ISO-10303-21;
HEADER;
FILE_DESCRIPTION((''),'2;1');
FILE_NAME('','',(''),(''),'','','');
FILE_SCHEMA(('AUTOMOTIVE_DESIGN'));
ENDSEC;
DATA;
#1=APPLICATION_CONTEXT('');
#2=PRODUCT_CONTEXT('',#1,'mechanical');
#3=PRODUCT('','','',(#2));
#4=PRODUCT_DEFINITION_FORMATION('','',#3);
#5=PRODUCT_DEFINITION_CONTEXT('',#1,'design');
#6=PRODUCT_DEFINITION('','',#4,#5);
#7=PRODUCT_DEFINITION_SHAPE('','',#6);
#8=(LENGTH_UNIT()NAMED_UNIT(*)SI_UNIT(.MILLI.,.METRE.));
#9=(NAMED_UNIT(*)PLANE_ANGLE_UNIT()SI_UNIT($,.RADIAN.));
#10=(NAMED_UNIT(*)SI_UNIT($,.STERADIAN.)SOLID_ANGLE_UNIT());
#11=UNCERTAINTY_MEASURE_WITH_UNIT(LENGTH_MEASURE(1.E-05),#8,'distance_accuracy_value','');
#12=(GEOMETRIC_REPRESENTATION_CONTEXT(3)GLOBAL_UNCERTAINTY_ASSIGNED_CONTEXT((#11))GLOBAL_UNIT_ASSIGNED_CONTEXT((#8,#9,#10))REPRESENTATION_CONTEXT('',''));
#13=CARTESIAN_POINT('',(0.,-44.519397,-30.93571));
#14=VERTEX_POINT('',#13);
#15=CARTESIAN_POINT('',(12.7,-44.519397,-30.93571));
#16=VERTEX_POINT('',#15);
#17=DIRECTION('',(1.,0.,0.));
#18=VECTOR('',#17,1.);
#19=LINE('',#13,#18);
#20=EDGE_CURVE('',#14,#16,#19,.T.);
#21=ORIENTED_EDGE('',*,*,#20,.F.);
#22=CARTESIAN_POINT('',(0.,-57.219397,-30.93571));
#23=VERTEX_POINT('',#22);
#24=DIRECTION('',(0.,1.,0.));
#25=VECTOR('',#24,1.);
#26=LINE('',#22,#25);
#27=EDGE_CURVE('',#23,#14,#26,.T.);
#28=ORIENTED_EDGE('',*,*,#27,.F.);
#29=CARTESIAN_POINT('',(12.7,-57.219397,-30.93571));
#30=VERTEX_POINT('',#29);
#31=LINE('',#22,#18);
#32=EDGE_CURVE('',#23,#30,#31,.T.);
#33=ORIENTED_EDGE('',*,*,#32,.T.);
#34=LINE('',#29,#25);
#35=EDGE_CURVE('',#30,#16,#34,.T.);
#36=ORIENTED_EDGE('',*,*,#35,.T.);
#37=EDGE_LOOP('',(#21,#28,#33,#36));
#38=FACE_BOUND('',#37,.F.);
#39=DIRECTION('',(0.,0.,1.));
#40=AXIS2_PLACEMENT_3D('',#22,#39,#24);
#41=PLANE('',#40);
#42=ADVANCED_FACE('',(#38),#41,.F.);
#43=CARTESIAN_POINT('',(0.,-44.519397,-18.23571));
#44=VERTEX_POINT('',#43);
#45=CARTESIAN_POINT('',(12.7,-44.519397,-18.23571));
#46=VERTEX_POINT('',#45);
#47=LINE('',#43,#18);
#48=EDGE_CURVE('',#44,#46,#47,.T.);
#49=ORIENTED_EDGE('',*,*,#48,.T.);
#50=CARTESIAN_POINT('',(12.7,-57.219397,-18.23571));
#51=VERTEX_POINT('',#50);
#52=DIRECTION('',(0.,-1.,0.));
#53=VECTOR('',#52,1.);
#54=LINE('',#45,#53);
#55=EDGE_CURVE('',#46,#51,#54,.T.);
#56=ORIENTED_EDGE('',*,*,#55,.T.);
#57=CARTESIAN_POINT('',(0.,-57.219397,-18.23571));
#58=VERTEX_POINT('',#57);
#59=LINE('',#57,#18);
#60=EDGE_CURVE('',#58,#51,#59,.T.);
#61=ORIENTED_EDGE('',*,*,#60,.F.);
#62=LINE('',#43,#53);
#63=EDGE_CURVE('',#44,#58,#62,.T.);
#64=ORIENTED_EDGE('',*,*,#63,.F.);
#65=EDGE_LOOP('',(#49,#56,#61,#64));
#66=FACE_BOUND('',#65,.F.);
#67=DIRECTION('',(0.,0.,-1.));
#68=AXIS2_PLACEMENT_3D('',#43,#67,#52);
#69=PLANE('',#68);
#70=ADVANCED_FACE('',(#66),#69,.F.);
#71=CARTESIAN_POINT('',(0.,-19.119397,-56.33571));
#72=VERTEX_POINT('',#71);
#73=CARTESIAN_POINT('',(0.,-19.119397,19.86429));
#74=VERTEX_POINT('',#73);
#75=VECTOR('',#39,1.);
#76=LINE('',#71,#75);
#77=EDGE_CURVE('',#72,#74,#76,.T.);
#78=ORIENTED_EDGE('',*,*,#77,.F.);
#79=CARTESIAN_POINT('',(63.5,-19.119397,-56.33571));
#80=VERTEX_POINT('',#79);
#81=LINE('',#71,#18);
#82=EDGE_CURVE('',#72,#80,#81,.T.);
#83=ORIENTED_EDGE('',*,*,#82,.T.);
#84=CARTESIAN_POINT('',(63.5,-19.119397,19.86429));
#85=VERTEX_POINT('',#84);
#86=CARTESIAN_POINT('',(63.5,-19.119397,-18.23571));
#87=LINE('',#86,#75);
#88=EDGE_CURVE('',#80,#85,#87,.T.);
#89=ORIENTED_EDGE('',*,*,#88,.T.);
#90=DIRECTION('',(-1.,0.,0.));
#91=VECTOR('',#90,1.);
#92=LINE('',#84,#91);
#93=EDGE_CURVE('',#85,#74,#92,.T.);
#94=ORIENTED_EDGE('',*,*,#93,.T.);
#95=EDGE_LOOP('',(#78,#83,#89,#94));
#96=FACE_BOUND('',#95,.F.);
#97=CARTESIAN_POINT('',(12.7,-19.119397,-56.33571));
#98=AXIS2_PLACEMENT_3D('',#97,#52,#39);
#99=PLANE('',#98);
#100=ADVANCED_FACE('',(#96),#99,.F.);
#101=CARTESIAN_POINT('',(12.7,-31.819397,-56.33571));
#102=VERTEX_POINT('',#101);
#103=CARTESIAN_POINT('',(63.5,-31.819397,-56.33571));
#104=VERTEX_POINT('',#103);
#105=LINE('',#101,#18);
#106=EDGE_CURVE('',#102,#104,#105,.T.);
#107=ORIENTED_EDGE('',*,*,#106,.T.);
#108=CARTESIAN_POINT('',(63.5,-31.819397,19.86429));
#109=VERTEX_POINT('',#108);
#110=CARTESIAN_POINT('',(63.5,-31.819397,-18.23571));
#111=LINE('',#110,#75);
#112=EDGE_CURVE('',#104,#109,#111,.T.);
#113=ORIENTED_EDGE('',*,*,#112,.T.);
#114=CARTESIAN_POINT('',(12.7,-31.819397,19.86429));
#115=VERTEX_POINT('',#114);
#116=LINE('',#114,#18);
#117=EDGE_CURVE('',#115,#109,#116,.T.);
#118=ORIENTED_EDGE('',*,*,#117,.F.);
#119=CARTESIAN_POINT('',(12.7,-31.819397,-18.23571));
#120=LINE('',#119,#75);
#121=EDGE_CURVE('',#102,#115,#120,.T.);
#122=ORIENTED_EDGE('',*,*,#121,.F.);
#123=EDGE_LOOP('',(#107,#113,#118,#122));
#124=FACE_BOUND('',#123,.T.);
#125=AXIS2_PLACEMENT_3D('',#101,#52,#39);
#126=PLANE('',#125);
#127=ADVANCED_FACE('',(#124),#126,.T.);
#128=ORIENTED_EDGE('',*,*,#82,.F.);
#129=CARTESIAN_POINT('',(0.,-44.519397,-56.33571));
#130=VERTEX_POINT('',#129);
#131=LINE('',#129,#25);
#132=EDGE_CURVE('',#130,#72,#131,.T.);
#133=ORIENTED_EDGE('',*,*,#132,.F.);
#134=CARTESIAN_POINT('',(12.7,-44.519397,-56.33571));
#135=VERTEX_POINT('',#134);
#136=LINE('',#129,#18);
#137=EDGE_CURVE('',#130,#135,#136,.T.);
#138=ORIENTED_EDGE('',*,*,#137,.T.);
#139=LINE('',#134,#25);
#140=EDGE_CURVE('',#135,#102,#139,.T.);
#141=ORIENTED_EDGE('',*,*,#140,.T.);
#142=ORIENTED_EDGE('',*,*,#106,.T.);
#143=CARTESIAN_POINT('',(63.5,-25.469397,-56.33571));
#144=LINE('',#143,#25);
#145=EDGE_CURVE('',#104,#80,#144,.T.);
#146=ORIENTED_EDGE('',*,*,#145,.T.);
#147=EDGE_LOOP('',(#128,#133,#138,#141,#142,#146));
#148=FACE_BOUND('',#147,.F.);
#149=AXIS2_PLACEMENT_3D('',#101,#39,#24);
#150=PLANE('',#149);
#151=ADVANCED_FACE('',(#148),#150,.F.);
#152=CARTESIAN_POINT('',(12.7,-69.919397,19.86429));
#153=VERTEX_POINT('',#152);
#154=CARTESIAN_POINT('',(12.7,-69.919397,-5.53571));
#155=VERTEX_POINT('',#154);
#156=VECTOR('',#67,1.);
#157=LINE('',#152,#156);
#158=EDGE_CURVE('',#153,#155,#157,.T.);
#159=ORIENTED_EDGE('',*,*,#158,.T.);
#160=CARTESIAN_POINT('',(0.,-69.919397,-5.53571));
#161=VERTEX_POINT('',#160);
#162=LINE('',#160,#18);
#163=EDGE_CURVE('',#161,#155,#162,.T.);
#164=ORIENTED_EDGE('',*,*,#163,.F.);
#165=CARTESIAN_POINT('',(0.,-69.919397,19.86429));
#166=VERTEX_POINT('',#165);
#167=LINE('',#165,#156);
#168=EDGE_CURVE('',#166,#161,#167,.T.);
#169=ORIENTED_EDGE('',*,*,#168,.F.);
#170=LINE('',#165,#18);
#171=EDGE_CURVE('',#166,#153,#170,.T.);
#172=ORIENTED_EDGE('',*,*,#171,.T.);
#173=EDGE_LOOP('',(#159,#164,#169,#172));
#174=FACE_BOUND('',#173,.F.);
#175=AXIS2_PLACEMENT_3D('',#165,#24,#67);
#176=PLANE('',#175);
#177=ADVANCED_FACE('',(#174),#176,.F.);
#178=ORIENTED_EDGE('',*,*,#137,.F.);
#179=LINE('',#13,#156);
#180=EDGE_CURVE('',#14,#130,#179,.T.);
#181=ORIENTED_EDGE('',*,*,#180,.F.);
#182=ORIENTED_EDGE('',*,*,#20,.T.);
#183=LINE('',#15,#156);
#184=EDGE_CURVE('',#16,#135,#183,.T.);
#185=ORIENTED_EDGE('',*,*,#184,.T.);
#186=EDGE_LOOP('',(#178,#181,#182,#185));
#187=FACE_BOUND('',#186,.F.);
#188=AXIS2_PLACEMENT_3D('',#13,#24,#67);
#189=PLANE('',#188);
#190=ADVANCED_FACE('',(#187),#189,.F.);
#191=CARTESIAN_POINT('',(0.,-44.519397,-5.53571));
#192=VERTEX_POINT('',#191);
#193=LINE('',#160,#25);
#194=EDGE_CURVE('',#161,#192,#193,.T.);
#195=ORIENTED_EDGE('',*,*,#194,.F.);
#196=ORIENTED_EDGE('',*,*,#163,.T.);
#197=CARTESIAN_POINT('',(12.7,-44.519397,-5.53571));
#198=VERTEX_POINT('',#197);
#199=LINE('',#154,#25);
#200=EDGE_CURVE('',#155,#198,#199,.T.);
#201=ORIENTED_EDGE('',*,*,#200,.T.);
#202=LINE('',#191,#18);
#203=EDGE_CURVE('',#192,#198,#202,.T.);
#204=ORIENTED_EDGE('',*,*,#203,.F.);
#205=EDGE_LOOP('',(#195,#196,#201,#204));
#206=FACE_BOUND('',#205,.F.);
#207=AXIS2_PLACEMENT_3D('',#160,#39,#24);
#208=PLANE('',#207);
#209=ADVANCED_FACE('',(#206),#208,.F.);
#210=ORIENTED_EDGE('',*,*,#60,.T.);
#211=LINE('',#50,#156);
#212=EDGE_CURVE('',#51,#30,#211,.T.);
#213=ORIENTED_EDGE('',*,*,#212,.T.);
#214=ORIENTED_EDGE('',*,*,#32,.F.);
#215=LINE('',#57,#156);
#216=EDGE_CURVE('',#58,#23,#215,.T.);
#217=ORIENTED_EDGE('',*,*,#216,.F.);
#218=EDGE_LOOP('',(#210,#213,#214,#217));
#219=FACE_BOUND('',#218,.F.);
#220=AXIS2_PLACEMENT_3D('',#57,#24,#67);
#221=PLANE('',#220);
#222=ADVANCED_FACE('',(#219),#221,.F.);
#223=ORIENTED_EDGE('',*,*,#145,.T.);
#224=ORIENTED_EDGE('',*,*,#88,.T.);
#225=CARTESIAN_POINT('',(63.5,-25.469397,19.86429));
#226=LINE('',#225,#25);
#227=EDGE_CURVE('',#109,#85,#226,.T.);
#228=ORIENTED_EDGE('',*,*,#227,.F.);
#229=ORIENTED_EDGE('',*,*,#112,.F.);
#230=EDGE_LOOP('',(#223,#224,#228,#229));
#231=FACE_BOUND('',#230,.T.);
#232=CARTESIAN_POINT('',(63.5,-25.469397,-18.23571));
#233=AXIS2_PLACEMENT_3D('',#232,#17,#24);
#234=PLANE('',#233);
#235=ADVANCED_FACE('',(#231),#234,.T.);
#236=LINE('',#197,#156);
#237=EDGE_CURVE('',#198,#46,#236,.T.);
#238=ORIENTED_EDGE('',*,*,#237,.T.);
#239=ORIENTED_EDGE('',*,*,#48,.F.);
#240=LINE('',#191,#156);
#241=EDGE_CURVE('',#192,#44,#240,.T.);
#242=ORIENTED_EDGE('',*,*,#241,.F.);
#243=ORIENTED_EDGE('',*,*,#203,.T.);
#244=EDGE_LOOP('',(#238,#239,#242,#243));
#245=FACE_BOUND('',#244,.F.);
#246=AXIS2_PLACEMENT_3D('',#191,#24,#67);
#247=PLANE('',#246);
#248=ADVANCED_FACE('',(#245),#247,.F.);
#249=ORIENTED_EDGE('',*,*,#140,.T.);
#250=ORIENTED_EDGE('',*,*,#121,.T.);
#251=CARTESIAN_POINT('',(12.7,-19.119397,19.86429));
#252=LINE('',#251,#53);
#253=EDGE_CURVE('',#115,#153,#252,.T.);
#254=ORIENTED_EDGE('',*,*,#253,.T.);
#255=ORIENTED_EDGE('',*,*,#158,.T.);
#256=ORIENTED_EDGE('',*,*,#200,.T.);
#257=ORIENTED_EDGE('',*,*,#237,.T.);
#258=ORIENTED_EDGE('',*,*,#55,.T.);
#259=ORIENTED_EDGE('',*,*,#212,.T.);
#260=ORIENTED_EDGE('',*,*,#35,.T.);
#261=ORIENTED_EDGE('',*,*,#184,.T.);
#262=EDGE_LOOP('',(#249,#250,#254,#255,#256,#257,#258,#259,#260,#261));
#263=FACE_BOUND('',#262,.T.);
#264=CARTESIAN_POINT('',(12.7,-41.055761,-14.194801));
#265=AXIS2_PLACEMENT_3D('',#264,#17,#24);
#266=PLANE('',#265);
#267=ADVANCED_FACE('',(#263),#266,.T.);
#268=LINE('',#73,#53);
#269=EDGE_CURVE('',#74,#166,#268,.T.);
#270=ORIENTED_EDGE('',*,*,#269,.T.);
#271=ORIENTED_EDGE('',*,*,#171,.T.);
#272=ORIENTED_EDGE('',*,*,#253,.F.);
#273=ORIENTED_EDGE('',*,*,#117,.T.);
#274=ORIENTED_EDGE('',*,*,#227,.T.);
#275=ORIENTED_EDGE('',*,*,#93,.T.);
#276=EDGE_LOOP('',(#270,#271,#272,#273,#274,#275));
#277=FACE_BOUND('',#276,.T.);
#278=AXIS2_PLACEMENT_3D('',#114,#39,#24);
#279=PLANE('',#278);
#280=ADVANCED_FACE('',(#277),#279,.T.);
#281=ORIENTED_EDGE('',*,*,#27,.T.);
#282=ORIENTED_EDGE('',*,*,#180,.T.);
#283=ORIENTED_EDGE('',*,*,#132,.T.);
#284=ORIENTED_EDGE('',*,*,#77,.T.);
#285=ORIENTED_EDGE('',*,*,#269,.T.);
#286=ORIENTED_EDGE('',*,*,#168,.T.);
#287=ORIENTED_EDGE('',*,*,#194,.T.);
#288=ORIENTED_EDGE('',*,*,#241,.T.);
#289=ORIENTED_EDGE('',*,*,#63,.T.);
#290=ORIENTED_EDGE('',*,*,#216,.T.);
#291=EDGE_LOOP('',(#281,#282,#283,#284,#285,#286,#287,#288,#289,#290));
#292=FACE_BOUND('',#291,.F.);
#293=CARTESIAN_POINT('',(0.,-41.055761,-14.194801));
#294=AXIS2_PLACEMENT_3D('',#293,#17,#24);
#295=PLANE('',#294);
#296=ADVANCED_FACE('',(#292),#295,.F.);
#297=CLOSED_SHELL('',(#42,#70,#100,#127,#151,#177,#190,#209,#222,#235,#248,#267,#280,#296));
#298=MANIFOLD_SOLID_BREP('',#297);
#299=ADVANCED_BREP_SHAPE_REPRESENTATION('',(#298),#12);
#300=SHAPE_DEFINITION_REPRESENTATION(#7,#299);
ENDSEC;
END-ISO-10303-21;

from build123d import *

# Parameters (mm, degrees)
F1_DEPTH = 12.7
F2_W     = 12.7
F2_H     = 76.2
F3_DEPTH = 50.8


with BuildPart() as f1:
    # F0 (on Right) → F1 (new body)
    with BuildSketch(Plane.YZ):
        Polygon((-44.519397, -30.93571), (-44.519397, -56.33571), (-31.819397, -56.33571), (-19.119397, -56.33571), (-19.119397, 19.86429), (-69.919397, 19.86429), (-69.919397, -5.53571), (-44.519397, -5.53571), (-44.519397, -18.23571), (-57.219397, -18.23571), (-57.219397, -30.93571), align=None)
    extrude(amount=F1_DEPTH)

    # F2 (on face) → F3 (join)
    with BuildSketch(Plane.YZ.offset(12.7)):
        with Locations((-25.469397, -18.23571)):
            Rectangle(F2_W, F2_H)
    extrude(amount=F3_DEPTH)


solid = f1.part
